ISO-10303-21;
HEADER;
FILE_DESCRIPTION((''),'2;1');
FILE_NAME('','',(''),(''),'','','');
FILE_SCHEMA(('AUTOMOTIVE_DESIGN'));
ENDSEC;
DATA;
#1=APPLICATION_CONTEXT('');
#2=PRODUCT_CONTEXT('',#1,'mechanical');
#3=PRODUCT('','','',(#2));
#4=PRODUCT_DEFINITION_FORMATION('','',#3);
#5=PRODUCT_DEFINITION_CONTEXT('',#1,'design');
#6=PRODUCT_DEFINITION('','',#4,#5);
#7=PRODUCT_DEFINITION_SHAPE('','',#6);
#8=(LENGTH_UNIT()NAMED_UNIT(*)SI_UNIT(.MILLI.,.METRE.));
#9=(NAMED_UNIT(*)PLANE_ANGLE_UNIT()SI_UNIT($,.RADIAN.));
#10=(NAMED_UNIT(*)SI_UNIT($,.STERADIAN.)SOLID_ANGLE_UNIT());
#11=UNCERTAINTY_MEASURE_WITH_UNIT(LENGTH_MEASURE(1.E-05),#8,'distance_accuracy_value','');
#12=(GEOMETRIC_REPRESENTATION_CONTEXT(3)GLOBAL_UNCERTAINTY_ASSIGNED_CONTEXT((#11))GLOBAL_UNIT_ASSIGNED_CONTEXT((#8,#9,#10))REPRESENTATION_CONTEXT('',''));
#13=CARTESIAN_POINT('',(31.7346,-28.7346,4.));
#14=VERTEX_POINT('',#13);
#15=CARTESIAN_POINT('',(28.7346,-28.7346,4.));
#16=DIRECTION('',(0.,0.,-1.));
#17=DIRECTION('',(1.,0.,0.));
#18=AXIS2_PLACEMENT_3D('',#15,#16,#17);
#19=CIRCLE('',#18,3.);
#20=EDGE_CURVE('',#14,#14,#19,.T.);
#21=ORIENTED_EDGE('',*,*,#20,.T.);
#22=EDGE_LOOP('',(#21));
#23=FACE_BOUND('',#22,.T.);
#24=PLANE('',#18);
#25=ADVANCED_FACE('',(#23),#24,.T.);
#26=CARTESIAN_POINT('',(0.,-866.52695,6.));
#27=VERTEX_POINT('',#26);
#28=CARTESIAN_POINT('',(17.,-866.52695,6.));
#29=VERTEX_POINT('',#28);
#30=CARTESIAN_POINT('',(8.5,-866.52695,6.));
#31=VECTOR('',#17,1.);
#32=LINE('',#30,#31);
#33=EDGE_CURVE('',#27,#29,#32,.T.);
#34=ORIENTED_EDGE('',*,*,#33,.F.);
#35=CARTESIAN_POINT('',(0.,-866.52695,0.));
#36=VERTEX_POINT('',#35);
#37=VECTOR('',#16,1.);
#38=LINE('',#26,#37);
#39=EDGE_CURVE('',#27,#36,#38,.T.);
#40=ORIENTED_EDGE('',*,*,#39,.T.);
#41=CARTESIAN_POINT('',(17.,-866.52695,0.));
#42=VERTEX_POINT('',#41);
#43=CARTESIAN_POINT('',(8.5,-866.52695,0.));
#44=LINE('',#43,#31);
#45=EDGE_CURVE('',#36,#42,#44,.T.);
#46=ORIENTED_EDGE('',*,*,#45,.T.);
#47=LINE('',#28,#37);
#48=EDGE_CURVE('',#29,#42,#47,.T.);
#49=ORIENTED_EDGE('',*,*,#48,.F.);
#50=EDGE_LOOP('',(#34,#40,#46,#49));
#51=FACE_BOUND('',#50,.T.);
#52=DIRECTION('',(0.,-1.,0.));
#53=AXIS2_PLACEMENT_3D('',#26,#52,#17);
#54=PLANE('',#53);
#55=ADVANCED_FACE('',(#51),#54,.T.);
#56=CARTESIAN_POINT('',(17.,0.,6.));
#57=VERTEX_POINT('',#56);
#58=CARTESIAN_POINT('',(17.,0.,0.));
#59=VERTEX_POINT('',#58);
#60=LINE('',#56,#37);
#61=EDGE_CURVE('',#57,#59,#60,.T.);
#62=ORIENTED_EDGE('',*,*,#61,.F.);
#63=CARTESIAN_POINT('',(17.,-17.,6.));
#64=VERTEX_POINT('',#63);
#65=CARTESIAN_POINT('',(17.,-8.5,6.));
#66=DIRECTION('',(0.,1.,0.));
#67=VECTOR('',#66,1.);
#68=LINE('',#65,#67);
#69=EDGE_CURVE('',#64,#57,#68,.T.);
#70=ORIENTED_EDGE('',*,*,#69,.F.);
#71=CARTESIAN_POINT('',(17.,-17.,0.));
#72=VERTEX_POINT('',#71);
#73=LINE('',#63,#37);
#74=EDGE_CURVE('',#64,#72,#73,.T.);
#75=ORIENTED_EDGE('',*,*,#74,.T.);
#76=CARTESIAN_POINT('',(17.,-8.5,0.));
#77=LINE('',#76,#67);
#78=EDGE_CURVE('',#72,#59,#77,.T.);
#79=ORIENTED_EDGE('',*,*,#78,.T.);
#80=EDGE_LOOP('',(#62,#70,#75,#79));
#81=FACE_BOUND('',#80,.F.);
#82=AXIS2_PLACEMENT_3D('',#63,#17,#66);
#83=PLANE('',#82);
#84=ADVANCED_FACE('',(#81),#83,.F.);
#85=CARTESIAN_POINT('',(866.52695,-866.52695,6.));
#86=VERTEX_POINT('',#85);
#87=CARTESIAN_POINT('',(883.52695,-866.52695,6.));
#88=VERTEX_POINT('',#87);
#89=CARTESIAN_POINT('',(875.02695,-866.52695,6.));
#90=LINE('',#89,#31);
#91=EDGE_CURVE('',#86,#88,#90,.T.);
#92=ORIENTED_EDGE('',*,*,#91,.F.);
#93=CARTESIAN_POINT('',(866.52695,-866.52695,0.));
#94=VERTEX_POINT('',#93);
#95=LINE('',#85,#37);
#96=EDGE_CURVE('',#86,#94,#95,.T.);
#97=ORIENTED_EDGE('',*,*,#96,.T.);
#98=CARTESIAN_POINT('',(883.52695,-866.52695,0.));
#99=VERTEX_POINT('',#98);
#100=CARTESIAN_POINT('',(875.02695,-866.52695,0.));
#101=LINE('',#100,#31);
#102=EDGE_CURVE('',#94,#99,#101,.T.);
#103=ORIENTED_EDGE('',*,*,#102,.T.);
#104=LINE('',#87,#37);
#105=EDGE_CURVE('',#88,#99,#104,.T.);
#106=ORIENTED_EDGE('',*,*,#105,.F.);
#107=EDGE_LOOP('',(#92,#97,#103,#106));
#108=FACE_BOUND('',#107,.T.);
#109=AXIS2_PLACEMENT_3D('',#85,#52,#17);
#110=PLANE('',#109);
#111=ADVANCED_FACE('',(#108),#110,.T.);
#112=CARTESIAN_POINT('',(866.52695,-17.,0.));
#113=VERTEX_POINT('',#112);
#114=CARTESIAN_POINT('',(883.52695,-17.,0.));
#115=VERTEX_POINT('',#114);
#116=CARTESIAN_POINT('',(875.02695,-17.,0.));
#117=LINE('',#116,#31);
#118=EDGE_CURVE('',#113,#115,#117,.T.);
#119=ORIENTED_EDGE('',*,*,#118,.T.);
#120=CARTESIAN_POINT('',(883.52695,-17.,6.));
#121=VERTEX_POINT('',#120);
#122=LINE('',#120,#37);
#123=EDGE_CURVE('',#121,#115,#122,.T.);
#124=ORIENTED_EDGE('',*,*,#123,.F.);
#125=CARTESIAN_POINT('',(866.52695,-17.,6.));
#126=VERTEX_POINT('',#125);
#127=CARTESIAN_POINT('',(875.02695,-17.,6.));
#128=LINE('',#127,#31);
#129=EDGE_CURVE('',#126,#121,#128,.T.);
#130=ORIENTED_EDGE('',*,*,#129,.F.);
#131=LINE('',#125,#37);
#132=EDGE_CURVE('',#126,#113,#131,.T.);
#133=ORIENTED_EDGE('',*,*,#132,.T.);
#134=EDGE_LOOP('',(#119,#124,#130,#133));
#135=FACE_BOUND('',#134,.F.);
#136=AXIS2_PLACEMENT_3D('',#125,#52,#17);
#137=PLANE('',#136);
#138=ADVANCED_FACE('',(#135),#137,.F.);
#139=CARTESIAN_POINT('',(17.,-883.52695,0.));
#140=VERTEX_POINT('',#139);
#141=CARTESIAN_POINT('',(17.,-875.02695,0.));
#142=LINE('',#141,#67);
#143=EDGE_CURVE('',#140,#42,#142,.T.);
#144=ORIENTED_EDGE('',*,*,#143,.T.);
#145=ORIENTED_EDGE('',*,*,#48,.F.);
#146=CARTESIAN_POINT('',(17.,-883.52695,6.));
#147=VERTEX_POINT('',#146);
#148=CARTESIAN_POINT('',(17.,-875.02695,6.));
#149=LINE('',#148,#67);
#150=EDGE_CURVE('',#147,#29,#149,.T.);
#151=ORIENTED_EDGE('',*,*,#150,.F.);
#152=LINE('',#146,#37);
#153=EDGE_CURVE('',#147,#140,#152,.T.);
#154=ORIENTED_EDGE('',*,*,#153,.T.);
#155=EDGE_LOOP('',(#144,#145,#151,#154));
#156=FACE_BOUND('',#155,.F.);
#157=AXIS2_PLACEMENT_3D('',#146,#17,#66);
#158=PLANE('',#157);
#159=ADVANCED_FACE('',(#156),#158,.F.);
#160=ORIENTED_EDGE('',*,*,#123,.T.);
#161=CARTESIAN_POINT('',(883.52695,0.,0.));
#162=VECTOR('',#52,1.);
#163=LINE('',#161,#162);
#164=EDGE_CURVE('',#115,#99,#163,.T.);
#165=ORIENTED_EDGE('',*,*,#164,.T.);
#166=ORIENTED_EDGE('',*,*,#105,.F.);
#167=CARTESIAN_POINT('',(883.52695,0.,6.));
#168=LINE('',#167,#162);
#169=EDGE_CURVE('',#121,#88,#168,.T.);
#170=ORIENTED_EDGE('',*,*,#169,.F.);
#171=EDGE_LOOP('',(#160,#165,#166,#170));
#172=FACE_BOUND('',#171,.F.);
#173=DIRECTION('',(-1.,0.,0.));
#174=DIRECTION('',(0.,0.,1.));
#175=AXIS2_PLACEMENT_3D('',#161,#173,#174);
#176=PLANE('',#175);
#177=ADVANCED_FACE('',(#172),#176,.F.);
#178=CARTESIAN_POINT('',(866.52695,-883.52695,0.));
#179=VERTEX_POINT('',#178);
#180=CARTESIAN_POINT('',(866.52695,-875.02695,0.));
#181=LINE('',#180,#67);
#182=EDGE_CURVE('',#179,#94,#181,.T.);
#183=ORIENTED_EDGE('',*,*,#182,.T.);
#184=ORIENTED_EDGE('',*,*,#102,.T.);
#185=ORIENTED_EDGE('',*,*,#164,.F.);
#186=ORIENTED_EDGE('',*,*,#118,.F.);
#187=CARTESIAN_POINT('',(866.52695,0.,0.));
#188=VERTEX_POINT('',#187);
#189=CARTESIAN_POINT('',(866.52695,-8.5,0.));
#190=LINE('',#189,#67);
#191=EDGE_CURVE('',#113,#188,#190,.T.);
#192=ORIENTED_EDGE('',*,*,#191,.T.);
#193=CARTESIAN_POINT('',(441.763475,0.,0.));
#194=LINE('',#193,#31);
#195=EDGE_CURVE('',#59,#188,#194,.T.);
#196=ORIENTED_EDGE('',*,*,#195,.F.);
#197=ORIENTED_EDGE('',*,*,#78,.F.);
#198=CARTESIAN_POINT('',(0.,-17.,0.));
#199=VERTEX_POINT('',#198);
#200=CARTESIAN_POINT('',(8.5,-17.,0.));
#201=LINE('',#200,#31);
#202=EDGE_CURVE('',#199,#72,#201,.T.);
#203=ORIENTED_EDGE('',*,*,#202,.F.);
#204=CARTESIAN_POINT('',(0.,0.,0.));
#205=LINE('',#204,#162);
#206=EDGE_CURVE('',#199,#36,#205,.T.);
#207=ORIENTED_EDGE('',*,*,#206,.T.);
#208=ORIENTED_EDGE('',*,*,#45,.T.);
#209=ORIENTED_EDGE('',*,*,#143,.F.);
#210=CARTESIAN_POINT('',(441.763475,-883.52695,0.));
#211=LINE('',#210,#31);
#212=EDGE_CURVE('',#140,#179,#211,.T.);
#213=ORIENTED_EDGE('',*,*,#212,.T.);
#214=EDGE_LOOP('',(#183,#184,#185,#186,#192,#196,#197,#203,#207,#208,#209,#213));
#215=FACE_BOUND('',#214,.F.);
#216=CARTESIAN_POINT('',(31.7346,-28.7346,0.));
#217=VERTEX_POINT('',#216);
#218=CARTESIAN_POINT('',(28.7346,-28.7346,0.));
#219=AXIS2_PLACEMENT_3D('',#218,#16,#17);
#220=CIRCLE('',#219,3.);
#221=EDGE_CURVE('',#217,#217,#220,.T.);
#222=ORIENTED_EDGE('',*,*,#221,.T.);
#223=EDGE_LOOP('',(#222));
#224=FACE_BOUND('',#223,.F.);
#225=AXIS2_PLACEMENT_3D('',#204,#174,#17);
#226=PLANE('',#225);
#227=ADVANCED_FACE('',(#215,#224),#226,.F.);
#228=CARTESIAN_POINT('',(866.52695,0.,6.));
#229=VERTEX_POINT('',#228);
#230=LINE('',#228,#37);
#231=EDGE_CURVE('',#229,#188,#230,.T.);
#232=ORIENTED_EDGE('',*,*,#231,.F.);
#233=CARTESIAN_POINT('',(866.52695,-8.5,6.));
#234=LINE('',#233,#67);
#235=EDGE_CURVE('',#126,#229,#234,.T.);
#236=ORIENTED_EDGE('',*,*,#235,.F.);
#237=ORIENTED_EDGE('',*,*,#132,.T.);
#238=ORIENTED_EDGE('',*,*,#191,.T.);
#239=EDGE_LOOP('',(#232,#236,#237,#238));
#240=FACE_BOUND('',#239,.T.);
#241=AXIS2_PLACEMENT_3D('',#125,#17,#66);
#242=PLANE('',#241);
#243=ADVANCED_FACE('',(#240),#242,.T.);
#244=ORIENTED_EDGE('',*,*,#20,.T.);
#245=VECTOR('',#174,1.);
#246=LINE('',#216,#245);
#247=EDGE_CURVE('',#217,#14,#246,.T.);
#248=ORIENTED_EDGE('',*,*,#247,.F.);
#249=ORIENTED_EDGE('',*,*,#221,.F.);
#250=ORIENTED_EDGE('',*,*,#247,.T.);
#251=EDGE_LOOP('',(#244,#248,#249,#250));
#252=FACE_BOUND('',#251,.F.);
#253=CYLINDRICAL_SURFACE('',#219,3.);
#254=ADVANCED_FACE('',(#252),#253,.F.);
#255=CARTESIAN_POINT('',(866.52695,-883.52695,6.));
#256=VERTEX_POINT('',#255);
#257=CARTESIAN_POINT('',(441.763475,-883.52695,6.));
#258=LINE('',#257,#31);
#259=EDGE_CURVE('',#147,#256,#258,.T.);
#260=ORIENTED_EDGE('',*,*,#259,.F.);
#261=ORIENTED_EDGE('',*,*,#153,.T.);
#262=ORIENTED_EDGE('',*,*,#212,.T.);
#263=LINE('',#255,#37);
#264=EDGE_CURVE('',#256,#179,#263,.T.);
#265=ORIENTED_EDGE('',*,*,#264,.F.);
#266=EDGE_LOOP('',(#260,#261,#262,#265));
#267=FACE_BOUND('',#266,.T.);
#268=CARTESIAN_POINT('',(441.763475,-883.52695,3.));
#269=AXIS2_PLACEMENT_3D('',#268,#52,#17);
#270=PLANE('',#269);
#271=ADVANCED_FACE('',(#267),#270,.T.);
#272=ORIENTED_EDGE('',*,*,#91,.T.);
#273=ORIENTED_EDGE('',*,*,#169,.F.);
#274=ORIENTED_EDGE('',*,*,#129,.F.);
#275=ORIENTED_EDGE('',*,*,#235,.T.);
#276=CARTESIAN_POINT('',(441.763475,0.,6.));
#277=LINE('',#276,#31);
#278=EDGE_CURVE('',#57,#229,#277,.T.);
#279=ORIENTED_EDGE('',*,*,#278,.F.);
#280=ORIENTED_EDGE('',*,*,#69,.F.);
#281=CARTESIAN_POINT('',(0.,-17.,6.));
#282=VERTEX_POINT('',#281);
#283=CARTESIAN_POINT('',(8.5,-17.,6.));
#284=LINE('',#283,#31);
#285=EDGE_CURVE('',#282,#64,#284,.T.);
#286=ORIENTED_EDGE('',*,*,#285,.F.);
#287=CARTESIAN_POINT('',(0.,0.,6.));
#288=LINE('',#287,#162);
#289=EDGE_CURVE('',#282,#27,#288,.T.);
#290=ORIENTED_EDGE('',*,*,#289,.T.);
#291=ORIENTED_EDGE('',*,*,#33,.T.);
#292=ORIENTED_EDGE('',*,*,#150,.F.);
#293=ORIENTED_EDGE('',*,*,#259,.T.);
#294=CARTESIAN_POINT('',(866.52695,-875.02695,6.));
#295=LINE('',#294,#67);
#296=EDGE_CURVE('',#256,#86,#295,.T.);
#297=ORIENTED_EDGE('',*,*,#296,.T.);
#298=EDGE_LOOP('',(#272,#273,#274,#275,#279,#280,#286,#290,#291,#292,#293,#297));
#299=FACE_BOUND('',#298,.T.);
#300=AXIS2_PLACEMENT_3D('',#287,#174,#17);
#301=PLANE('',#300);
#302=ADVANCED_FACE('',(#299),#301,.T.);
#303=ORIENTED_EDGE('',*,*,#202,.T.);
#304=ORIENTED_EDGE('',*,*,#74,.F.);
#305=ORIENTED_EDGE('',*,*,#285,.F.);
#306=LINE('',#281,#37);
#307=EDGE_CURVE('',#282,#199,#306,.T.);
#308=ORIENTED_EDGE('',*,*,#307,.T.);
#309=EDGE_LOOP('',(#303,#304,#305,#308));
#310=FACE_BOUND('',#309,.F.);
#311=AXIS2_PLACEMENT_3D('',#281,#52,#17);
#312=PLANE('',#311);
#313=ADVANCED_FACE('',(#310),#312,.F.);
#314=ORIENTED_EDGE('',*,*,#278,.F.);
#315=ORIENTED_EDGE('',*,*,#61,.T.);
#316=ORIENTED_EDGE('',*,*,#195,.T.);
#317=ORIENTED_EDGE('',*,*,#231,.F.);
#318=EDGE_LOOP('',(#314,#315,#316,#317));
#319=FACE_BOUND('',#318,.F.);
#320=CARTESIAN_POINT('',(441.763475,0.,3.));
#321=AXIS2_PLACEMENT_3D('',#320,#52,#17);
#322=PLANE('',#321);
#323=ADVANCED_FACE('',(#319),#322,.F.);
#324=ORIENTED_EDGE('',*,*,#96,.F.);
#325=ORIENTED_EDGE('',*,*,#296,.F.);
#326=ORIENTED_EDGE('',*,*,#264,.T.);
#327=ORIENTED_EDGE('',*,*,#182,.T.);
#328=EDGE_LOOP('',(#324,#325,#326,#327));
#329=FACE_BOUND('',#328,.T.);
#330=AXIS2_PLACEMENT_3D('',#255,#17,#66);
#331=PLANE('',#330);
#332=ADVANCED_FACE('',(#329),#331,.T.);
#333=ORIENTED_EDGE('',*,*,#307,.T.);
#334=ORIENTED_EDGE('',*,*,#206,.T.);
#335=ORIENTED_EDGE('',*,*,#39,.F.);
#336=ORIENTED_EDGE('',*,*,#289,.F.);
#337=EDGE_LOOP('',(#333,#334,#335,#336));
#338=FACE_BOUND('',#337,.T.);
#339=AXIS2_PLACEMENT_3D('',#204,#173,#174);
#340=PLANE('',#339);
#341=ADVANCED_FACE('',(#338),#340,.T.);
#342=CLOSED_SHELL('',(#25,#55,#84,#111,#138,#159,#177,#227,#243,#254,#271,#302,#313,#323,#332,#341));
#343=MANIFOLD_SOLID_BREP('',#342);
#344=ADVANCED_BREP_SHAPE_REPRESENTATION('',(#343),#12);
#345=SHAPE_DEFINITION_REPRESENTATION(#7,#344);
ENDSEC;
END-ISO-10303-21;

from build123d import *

# Parameters (mm, degrees)
F0_W      = 883.52695
F0_H      = 6
F1_DEPTH  = 883.52695
F2_W      = 17
F2_H      = 17
F3_DEPTH  = 6
F4_W      = 17
F4_H      = 17
F5_DEPTH  = 6
F6_W      = 17
F6_H      = 17
F7_DEPTH  = 6
F8_W      = 17
F8_H      = 17
F9_DEPTH  = 6
F10_R     = 3
F11_DEPTH = 4


with BuildPart() as f1:
    # F0 (on Front) → F1 (new body)
    with BuildSketch(Plane.XZ):
        with Locations((441.763475, 3)):
            Rectangle(F0_W, F0_H)
    extrude(amount=F1_DEPTH)

    # F2 (on face) → F3 (cut)
    with BuildSketch(Plane.XY.offset(6)):
        with Locations((8.5, -8.5)):
            Rectangle(F2_W, F2_H)
    extrude(amount=-F3_DEPTH, mode=Mode.SUBTRACT)

    # F4 (on face) → F5 (cut)
    with BuildSketch(Plane.XY.offset(6)):
        with Locations((875.02695, -8.5)):
            Rectangle(F4_W, F4_H)
    extrude(amount=-F5_DEPTH, mode=Mode.SUBTRACT)

    # F6 (on face) → F7 (cut)
    with BuildSketch(Plane.XY.offset(6)):
        with Locations((875.02695, -875.02695)):
            Rectangle(F6_W, F6_H)
    extrude(amount=-F7_DEPTH, mode=Mode.SUBTRACT)

    # F8 (on face) → F9 (cut)
    with BuildSketch(Plane.XY.offset(6)):
        with Locations((8.5, -875.02695)):
            Rectangle(F8_W, F8_H)
    extrude(amount=-F9_DEPTH, mode=Mode.SUBTRACT)

    # F10 (on face) → F11 (cut)
    with BuildSketch(Plane(origin=(0, 0, 0), x_dir=(1, 0, 0), z_dir=(0, 0, -1))):
        with Locations((28.7346, 28.7346)):
            Circle(F10_R)
    extrude(amount=-F11_DEPTH, mode=Mode.SUBTRACT)


solid = f1.part
